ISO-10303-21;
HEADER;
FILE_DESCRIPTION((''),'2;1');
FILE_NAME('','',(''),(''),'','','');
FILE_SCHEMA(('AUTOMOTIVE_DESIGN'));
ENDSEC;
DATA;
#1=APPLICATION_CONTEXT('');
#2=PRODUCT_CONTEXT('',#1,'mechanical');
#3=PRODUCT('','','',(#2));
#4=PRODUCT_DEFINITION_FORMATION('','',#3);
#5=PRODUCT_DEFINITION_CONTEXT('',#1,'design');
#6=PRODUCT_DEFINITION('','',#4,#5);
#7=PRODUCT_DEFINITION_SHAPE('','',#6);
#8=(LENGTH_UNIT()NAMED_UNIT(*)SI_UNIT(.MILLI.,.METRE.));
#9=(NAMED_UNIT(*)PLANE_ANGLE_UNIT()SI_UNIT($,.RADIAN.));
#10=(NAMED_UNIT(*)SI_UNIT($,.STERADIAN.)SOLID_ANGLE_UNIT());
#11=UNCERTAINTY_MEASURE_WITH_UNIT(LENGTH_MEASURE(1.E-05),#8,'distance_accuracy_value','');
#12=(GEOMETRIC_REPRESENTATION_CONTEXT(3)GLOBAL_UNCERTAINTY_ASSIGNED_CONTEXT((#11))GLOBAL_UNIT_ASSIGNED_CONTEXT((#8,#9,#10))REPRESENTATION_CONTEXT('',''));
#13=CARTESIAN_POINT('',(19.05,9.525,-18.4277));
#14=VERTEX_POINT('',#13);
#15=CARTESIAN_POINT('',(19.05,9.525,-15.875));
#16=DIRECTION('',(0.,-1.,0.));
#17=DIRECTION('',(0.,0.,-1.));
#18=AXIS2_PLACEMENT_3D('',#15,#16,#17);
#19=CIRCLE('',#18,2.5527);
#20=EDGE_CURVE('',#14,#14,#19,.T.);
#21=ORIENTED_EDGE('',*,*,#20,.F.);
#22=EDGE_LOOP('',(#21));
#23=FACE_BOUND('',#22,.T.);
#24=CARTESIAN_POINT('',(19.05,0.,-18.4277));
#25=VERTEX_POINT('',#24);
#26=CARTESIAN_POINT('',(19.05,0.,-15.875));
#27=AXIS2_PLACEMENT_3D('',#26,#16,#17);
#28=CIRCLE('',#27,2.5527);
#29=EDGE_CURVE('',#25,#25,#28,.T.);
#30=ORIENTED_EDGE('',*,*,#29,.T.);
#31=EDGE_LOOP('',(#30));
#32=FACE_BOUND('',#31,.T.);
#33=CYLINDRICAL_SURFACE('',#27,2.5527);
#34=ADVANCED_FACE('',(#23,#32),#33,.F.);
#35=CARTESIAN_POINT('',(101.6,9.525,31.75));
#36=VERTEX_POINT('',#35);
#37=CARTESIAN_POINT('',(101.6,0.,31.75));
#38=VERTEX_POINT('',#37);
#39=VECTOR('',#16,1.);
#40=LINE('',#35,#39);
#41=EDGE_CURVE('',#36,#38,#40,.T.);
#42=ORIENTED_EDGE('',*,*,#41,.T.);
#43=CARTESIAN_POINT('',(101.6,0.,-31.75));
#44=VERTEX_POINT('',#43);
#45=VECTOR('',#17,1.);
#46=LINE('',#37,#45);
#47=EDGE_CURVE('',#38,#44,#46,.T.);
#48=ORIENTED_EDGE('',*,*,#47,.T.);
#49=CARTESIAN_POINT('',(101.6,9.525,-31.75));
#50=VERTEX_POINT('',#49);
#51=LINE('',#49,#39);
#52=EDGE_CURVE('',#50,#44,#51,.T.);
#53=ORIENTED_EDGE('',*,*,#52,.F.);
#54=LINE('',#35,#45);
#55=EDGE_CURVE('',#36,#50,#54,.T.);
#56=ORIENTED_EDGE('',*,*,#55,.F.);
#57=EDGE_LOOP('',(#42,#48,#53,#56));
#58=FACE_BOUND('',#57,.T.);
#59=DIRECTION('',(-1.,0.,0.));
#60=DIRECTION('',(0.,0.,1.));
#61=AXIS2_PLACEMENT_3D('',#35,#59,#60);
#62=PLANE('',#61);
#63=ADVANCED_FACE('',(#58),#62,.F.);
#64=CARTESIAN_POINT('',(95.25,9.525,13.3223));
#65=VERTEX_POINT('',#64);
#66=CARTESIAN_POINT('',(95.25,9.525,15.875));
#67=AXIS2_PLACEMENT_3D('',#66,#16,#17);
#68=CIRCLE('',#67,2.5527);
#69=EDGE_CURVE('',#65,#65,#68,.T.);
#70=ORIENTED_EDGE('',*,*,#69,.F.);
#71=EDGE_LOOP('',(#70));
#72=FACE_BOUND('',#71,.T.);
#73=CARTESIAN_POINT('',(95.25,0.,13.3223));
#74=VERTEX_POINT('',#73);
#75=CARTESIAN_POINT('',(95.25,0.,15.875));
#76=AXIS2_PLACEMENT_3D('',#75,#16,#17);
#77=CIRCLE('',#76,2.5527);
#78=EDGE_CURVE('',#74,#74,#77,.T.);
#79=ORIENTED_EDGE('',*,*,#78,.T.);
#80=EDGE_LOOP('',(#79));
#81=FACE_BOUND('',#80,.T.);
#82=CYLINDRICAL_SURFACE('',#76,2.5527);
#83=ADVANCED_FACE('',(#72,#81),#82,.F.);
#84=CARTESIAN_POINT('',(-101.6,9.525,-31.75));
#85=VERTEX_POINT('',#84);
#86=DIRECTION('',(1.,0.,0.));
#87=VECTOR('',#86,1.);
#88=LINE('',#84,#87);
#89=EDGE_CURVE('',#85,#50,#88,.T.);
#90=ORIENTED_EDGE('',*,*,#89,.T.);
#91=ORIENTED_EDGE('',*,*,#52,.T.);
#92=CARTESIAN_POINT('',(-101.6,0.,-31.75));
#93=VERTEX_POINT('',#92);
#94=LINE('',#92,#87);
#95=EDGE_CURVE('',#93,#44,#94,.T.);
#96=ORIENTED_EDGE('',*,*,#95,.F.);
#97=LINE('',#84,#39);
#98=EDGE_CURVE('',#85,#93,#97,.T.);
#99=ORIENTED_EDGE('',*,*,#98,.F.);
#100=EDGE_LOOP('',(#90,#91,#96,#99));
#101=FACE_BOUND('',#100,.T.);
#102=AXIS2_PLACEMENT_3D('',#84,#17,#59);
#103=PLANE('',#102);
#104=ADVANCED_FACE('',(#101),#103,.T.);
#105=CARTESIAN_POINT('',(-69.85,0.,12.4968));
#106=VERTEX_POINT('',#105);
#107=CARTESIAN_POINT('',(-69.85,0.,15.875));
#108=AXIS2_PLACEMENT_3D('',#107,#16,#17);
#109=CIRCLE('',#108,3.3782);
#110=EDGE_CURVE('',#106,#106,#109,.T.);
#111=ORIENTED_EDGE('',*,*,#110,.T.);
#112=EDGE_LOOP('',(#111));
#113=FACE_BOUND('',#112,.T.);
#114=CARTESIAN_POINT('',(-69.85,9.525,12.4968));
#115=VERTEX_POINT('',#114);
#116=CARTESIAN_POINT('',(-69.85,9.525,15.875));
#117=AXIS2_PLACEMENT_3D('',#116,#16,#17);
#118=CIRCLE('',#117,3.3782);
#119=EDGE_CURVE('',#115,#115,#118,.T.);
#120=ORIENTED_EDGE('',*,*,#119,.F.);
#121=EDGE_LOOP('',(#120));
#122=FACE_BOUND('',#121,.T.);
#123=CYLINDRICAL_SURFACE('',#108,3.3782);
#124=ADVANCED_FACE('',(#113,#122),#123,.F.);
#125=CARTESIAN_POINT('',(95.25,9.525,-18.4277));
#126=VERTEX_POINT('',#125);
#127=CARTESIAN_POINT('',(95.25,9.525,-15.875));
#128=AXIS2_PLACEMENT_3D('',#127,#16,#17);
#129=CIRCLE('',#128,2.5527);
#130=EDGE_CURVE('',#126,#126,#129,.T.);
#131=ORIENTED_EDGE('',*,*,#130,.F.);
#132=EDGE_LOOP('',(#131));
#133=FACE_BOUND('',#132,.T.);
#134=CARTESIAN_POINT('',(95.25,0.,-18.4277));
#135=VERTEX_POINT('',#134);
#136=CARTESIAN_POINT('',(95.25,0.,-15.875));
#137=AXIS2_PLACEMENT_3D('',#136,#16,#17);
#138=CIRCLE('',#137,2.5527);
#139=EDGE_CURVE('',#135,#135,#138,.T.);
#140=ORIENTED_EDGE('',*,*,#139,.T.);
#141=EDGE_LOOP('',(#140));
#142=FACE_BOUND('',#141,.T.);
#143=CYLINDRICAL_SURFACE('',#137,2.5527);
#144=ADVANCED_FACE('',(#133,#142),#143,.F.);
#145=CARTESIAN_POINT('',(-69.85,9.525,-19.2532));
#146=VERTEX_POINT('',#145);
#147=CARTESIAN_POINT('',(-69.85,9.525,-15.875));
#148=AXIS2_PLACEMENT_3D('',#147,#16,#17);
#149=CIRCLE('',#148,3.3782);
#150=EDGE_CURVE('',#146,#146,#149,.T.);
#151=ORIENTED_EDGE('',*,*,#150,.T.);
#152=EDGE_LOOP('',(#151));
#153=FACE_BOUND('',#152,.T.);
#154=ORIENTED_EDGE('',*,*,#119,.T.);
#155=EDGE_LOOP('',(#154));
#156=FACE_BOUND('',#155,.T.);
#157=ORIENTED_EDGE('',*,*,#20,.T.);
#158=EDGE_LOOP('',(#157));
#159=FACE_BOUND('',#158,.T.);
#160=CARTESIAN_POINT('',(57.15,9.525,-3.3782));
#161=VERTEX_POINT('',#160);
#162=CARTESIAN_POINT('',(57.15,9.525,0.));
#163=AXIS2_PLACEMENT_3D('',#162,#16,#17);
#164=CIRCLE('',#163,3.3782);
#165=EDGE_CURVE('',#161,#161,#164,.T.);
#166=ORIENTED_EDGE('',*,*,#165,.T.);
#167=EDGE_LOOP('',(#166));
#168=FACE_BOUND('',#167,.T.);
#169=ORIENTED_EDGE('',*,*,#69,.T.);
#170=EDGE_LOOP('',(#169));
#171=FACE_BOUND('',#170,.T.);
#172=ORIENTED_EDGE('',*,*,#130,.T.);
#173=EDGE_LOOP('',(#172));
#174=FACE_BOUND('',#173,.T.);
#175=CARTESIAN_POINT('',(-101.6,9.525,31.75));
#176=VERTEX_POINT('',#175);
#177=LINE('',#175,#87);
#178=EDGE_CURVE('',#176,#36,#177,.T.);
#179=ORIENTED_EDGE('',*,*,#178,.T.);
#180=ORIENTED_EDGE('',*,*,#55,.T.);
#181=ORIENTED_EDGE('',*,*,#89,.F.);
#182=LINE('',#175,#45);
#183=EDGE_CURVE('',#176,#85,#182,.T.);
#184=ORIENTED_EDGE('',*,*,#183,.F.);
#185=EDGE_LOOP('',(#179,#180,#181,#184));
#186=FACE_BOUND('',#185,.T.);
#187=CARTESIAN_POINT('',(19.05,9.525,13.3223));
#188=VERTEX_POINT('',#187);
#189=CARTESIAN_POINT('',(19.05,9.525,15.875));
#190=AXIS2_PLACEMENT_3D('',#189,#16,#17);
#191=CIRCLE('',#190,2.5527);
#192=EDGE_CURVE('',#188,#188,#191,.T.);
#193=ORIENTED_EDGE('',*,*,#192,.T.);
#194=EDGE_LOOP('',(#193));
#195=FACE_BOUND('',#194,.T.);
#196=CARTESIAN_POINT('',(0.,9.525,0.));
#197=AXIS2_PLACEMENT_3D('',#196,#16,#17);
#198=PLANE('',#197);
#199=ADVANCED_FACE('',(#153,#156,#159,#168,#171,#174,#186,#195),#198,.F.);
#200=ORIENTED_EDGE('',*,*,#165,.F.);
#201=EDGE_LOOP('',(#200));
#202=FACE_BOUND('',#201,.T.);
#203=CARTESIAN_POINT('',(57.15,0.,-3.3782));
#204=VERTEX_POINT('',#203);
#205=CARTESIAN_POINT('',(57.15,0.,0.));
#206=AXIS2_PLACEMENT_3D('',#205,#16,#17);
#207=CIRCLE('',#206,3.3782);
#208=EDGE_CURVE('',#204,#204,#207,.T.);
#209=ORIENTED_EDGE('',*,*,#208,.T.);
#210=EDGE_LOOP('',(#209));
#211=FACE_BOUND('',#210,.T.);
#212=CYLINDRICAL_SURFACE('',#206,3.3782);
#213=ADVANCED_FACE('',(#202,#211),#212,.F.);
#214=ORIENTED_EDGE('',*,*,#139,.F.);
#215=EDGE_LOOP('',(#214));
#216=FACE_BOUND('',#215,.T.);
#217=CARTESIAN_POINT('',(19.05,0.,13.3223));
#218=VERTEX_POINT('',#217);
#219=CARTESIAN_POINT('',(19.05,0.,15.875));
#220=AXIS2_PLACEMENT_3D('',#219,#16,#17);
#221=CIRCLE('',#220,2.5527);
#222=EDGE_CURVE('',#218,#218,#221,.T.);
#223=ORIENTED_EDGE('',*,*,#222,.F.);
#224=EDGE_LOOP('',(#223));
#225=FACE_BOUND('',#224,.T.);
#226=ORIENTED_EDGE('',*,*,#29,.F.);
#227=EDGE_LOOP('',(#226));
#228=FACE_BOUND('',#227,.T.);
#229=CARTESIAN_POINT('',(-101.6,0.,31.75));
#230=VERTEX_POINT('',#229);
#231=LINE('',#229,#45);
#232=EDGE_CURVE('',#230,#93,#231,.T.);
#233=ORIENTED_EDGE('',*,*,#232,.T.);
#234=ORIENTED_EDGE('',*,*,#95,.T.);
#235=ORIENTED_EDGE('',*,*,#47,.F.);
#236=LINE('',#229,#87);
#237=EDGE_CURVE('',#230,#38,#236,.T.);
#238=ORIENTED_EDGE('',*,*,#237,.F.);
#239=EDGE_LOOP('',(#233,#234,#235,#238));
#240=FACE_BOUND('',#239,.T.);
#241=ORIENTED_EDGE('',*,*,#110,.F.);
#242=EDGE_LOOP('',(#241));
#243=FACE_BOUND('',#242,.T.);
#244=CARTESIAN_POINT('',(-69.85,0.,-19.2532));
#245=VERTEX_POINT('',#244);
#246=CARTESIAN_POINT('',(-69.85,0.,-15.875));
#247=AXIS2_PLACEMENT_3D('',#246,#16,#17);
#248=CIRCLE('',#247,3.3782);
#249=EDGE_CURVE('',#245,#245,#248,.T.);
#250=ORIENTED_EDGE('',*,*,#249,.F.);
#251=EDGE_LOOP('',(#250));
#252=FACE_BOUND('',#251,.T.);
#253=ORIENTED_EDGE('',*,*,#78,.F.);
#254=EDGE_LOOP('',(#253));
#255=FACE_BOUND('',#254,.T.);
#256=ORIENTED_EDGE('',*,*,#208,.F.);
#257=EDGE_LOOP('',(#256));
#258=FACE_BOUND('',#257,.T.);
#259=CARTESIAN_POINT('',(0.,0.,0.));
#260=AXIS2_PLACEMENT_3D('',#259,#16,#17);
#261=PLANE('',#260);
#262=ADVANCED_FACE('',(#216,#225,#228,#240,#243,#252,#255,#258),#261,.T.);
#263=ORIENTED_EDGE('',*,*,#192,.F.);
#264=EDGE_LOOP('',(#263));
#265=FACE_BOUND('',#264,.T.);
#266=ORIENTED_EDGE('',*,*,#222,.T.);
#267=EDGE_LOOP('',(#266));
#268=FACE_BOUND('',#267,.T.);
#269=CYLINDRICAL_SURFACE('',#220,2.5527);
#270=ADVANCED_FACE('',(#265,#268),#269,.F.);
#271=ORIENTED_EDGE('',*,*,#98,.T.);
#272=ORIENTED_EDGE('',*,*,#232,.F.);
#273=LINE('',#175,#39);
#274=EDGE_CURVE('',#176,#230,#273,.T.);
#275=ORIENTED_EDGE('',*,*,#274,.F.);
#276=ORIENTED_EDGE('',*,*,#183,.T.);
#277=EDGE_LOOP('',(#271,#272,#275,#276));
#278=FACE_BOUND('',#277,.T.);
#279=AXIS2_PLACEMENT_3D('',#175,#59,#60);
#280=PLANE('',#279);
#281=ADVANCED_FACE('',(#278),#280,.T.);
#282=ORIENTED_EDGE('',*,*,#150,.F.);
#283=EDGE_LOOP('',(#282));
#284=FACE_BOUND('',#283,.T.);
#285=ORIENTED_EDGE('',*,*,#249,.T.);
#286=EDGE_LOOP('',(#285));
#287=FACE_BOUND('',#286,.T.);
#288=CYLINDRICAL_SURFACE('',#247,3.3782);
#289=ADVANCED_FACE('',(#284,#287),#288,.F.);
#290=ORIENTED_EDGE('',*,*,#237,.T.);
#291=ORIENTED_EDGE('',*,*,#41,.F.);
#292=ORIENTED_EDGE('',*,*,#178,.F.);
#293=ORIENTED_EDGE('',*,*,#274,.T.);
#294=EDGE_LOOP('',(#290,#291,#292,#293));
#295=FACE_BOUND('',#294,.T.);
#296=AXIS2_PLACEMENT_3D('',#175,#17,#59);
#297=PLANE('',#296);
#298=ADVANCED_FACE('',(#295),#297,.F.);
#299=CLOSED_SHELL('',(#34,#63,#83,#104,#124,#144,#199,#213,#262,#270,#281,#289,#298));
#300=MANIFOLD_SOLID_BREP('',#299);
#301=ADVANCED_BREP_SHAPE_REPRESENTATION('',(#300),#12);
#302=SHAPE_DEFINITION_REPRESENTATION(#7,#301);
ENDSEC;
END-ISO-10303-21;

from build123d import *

# Parameters (mm, degrees)
SKETCH1_W               = 203.2
SKETCH1_H               = 63.5
BOSS_EXTRUDE1_DEPTH     = 9.525
F_10_CLEARANCE_HOLE1_D  = 5.1054
F_1_4_CLEARANCE_HOLE1_D = 6.7564
F_1_4_CLEARANCE_HOLE2_D = 6.7564


with BuildPart() as part:
    # Sketch1 → Boss-Extrude1 (new body)
    with BuildSketch(Plane(origin=(0, 0, 0), x_dir=(1, 0, 0), z_dir=(0, 1, 0))):
        Rectangle(SKETCH1_W, SKETCH1_H)
    extrude(amount=BOSS_EXTRUDE1_DEPTH)

    # #10 Clearance Hole1 (through all)
    with Locations(Plane(origin=(0, 0, 0), x_dir=(-1, 0, 0), z_dir=(0, -1, 0))):
        with Locations((-19.05, 15.875), (-95.25, 15.875), (-95.25, -15.875), (-19.05, -15.875)):
            Hole(F_10_CLEARANCE_HOLE1_D / 2)

    # 1/4 Clearance Hole1 (through all)
    with Locations(Plane(origin=(0, 0, 0), x_dir=(-1, 0, 0), z_dir=(0, -1, 0))):
        with Locations((-57.15, 0)):
            Hole(F_1_4_CLEARANCE_HOLE1_D / 2)

    # 1/4 Clearance Hole2 (through all)
    with Locations(Plane(origin=(0, 0, 0), x_dir=(-1, 0, 0), z_dir=(0, -1, 0))):
        with Locations((69.85, 15.875), (69.85, -15.875)):
            Hole(F_1_4_CLEARANCE_HOLE2_D / 2)


solid = part.part
